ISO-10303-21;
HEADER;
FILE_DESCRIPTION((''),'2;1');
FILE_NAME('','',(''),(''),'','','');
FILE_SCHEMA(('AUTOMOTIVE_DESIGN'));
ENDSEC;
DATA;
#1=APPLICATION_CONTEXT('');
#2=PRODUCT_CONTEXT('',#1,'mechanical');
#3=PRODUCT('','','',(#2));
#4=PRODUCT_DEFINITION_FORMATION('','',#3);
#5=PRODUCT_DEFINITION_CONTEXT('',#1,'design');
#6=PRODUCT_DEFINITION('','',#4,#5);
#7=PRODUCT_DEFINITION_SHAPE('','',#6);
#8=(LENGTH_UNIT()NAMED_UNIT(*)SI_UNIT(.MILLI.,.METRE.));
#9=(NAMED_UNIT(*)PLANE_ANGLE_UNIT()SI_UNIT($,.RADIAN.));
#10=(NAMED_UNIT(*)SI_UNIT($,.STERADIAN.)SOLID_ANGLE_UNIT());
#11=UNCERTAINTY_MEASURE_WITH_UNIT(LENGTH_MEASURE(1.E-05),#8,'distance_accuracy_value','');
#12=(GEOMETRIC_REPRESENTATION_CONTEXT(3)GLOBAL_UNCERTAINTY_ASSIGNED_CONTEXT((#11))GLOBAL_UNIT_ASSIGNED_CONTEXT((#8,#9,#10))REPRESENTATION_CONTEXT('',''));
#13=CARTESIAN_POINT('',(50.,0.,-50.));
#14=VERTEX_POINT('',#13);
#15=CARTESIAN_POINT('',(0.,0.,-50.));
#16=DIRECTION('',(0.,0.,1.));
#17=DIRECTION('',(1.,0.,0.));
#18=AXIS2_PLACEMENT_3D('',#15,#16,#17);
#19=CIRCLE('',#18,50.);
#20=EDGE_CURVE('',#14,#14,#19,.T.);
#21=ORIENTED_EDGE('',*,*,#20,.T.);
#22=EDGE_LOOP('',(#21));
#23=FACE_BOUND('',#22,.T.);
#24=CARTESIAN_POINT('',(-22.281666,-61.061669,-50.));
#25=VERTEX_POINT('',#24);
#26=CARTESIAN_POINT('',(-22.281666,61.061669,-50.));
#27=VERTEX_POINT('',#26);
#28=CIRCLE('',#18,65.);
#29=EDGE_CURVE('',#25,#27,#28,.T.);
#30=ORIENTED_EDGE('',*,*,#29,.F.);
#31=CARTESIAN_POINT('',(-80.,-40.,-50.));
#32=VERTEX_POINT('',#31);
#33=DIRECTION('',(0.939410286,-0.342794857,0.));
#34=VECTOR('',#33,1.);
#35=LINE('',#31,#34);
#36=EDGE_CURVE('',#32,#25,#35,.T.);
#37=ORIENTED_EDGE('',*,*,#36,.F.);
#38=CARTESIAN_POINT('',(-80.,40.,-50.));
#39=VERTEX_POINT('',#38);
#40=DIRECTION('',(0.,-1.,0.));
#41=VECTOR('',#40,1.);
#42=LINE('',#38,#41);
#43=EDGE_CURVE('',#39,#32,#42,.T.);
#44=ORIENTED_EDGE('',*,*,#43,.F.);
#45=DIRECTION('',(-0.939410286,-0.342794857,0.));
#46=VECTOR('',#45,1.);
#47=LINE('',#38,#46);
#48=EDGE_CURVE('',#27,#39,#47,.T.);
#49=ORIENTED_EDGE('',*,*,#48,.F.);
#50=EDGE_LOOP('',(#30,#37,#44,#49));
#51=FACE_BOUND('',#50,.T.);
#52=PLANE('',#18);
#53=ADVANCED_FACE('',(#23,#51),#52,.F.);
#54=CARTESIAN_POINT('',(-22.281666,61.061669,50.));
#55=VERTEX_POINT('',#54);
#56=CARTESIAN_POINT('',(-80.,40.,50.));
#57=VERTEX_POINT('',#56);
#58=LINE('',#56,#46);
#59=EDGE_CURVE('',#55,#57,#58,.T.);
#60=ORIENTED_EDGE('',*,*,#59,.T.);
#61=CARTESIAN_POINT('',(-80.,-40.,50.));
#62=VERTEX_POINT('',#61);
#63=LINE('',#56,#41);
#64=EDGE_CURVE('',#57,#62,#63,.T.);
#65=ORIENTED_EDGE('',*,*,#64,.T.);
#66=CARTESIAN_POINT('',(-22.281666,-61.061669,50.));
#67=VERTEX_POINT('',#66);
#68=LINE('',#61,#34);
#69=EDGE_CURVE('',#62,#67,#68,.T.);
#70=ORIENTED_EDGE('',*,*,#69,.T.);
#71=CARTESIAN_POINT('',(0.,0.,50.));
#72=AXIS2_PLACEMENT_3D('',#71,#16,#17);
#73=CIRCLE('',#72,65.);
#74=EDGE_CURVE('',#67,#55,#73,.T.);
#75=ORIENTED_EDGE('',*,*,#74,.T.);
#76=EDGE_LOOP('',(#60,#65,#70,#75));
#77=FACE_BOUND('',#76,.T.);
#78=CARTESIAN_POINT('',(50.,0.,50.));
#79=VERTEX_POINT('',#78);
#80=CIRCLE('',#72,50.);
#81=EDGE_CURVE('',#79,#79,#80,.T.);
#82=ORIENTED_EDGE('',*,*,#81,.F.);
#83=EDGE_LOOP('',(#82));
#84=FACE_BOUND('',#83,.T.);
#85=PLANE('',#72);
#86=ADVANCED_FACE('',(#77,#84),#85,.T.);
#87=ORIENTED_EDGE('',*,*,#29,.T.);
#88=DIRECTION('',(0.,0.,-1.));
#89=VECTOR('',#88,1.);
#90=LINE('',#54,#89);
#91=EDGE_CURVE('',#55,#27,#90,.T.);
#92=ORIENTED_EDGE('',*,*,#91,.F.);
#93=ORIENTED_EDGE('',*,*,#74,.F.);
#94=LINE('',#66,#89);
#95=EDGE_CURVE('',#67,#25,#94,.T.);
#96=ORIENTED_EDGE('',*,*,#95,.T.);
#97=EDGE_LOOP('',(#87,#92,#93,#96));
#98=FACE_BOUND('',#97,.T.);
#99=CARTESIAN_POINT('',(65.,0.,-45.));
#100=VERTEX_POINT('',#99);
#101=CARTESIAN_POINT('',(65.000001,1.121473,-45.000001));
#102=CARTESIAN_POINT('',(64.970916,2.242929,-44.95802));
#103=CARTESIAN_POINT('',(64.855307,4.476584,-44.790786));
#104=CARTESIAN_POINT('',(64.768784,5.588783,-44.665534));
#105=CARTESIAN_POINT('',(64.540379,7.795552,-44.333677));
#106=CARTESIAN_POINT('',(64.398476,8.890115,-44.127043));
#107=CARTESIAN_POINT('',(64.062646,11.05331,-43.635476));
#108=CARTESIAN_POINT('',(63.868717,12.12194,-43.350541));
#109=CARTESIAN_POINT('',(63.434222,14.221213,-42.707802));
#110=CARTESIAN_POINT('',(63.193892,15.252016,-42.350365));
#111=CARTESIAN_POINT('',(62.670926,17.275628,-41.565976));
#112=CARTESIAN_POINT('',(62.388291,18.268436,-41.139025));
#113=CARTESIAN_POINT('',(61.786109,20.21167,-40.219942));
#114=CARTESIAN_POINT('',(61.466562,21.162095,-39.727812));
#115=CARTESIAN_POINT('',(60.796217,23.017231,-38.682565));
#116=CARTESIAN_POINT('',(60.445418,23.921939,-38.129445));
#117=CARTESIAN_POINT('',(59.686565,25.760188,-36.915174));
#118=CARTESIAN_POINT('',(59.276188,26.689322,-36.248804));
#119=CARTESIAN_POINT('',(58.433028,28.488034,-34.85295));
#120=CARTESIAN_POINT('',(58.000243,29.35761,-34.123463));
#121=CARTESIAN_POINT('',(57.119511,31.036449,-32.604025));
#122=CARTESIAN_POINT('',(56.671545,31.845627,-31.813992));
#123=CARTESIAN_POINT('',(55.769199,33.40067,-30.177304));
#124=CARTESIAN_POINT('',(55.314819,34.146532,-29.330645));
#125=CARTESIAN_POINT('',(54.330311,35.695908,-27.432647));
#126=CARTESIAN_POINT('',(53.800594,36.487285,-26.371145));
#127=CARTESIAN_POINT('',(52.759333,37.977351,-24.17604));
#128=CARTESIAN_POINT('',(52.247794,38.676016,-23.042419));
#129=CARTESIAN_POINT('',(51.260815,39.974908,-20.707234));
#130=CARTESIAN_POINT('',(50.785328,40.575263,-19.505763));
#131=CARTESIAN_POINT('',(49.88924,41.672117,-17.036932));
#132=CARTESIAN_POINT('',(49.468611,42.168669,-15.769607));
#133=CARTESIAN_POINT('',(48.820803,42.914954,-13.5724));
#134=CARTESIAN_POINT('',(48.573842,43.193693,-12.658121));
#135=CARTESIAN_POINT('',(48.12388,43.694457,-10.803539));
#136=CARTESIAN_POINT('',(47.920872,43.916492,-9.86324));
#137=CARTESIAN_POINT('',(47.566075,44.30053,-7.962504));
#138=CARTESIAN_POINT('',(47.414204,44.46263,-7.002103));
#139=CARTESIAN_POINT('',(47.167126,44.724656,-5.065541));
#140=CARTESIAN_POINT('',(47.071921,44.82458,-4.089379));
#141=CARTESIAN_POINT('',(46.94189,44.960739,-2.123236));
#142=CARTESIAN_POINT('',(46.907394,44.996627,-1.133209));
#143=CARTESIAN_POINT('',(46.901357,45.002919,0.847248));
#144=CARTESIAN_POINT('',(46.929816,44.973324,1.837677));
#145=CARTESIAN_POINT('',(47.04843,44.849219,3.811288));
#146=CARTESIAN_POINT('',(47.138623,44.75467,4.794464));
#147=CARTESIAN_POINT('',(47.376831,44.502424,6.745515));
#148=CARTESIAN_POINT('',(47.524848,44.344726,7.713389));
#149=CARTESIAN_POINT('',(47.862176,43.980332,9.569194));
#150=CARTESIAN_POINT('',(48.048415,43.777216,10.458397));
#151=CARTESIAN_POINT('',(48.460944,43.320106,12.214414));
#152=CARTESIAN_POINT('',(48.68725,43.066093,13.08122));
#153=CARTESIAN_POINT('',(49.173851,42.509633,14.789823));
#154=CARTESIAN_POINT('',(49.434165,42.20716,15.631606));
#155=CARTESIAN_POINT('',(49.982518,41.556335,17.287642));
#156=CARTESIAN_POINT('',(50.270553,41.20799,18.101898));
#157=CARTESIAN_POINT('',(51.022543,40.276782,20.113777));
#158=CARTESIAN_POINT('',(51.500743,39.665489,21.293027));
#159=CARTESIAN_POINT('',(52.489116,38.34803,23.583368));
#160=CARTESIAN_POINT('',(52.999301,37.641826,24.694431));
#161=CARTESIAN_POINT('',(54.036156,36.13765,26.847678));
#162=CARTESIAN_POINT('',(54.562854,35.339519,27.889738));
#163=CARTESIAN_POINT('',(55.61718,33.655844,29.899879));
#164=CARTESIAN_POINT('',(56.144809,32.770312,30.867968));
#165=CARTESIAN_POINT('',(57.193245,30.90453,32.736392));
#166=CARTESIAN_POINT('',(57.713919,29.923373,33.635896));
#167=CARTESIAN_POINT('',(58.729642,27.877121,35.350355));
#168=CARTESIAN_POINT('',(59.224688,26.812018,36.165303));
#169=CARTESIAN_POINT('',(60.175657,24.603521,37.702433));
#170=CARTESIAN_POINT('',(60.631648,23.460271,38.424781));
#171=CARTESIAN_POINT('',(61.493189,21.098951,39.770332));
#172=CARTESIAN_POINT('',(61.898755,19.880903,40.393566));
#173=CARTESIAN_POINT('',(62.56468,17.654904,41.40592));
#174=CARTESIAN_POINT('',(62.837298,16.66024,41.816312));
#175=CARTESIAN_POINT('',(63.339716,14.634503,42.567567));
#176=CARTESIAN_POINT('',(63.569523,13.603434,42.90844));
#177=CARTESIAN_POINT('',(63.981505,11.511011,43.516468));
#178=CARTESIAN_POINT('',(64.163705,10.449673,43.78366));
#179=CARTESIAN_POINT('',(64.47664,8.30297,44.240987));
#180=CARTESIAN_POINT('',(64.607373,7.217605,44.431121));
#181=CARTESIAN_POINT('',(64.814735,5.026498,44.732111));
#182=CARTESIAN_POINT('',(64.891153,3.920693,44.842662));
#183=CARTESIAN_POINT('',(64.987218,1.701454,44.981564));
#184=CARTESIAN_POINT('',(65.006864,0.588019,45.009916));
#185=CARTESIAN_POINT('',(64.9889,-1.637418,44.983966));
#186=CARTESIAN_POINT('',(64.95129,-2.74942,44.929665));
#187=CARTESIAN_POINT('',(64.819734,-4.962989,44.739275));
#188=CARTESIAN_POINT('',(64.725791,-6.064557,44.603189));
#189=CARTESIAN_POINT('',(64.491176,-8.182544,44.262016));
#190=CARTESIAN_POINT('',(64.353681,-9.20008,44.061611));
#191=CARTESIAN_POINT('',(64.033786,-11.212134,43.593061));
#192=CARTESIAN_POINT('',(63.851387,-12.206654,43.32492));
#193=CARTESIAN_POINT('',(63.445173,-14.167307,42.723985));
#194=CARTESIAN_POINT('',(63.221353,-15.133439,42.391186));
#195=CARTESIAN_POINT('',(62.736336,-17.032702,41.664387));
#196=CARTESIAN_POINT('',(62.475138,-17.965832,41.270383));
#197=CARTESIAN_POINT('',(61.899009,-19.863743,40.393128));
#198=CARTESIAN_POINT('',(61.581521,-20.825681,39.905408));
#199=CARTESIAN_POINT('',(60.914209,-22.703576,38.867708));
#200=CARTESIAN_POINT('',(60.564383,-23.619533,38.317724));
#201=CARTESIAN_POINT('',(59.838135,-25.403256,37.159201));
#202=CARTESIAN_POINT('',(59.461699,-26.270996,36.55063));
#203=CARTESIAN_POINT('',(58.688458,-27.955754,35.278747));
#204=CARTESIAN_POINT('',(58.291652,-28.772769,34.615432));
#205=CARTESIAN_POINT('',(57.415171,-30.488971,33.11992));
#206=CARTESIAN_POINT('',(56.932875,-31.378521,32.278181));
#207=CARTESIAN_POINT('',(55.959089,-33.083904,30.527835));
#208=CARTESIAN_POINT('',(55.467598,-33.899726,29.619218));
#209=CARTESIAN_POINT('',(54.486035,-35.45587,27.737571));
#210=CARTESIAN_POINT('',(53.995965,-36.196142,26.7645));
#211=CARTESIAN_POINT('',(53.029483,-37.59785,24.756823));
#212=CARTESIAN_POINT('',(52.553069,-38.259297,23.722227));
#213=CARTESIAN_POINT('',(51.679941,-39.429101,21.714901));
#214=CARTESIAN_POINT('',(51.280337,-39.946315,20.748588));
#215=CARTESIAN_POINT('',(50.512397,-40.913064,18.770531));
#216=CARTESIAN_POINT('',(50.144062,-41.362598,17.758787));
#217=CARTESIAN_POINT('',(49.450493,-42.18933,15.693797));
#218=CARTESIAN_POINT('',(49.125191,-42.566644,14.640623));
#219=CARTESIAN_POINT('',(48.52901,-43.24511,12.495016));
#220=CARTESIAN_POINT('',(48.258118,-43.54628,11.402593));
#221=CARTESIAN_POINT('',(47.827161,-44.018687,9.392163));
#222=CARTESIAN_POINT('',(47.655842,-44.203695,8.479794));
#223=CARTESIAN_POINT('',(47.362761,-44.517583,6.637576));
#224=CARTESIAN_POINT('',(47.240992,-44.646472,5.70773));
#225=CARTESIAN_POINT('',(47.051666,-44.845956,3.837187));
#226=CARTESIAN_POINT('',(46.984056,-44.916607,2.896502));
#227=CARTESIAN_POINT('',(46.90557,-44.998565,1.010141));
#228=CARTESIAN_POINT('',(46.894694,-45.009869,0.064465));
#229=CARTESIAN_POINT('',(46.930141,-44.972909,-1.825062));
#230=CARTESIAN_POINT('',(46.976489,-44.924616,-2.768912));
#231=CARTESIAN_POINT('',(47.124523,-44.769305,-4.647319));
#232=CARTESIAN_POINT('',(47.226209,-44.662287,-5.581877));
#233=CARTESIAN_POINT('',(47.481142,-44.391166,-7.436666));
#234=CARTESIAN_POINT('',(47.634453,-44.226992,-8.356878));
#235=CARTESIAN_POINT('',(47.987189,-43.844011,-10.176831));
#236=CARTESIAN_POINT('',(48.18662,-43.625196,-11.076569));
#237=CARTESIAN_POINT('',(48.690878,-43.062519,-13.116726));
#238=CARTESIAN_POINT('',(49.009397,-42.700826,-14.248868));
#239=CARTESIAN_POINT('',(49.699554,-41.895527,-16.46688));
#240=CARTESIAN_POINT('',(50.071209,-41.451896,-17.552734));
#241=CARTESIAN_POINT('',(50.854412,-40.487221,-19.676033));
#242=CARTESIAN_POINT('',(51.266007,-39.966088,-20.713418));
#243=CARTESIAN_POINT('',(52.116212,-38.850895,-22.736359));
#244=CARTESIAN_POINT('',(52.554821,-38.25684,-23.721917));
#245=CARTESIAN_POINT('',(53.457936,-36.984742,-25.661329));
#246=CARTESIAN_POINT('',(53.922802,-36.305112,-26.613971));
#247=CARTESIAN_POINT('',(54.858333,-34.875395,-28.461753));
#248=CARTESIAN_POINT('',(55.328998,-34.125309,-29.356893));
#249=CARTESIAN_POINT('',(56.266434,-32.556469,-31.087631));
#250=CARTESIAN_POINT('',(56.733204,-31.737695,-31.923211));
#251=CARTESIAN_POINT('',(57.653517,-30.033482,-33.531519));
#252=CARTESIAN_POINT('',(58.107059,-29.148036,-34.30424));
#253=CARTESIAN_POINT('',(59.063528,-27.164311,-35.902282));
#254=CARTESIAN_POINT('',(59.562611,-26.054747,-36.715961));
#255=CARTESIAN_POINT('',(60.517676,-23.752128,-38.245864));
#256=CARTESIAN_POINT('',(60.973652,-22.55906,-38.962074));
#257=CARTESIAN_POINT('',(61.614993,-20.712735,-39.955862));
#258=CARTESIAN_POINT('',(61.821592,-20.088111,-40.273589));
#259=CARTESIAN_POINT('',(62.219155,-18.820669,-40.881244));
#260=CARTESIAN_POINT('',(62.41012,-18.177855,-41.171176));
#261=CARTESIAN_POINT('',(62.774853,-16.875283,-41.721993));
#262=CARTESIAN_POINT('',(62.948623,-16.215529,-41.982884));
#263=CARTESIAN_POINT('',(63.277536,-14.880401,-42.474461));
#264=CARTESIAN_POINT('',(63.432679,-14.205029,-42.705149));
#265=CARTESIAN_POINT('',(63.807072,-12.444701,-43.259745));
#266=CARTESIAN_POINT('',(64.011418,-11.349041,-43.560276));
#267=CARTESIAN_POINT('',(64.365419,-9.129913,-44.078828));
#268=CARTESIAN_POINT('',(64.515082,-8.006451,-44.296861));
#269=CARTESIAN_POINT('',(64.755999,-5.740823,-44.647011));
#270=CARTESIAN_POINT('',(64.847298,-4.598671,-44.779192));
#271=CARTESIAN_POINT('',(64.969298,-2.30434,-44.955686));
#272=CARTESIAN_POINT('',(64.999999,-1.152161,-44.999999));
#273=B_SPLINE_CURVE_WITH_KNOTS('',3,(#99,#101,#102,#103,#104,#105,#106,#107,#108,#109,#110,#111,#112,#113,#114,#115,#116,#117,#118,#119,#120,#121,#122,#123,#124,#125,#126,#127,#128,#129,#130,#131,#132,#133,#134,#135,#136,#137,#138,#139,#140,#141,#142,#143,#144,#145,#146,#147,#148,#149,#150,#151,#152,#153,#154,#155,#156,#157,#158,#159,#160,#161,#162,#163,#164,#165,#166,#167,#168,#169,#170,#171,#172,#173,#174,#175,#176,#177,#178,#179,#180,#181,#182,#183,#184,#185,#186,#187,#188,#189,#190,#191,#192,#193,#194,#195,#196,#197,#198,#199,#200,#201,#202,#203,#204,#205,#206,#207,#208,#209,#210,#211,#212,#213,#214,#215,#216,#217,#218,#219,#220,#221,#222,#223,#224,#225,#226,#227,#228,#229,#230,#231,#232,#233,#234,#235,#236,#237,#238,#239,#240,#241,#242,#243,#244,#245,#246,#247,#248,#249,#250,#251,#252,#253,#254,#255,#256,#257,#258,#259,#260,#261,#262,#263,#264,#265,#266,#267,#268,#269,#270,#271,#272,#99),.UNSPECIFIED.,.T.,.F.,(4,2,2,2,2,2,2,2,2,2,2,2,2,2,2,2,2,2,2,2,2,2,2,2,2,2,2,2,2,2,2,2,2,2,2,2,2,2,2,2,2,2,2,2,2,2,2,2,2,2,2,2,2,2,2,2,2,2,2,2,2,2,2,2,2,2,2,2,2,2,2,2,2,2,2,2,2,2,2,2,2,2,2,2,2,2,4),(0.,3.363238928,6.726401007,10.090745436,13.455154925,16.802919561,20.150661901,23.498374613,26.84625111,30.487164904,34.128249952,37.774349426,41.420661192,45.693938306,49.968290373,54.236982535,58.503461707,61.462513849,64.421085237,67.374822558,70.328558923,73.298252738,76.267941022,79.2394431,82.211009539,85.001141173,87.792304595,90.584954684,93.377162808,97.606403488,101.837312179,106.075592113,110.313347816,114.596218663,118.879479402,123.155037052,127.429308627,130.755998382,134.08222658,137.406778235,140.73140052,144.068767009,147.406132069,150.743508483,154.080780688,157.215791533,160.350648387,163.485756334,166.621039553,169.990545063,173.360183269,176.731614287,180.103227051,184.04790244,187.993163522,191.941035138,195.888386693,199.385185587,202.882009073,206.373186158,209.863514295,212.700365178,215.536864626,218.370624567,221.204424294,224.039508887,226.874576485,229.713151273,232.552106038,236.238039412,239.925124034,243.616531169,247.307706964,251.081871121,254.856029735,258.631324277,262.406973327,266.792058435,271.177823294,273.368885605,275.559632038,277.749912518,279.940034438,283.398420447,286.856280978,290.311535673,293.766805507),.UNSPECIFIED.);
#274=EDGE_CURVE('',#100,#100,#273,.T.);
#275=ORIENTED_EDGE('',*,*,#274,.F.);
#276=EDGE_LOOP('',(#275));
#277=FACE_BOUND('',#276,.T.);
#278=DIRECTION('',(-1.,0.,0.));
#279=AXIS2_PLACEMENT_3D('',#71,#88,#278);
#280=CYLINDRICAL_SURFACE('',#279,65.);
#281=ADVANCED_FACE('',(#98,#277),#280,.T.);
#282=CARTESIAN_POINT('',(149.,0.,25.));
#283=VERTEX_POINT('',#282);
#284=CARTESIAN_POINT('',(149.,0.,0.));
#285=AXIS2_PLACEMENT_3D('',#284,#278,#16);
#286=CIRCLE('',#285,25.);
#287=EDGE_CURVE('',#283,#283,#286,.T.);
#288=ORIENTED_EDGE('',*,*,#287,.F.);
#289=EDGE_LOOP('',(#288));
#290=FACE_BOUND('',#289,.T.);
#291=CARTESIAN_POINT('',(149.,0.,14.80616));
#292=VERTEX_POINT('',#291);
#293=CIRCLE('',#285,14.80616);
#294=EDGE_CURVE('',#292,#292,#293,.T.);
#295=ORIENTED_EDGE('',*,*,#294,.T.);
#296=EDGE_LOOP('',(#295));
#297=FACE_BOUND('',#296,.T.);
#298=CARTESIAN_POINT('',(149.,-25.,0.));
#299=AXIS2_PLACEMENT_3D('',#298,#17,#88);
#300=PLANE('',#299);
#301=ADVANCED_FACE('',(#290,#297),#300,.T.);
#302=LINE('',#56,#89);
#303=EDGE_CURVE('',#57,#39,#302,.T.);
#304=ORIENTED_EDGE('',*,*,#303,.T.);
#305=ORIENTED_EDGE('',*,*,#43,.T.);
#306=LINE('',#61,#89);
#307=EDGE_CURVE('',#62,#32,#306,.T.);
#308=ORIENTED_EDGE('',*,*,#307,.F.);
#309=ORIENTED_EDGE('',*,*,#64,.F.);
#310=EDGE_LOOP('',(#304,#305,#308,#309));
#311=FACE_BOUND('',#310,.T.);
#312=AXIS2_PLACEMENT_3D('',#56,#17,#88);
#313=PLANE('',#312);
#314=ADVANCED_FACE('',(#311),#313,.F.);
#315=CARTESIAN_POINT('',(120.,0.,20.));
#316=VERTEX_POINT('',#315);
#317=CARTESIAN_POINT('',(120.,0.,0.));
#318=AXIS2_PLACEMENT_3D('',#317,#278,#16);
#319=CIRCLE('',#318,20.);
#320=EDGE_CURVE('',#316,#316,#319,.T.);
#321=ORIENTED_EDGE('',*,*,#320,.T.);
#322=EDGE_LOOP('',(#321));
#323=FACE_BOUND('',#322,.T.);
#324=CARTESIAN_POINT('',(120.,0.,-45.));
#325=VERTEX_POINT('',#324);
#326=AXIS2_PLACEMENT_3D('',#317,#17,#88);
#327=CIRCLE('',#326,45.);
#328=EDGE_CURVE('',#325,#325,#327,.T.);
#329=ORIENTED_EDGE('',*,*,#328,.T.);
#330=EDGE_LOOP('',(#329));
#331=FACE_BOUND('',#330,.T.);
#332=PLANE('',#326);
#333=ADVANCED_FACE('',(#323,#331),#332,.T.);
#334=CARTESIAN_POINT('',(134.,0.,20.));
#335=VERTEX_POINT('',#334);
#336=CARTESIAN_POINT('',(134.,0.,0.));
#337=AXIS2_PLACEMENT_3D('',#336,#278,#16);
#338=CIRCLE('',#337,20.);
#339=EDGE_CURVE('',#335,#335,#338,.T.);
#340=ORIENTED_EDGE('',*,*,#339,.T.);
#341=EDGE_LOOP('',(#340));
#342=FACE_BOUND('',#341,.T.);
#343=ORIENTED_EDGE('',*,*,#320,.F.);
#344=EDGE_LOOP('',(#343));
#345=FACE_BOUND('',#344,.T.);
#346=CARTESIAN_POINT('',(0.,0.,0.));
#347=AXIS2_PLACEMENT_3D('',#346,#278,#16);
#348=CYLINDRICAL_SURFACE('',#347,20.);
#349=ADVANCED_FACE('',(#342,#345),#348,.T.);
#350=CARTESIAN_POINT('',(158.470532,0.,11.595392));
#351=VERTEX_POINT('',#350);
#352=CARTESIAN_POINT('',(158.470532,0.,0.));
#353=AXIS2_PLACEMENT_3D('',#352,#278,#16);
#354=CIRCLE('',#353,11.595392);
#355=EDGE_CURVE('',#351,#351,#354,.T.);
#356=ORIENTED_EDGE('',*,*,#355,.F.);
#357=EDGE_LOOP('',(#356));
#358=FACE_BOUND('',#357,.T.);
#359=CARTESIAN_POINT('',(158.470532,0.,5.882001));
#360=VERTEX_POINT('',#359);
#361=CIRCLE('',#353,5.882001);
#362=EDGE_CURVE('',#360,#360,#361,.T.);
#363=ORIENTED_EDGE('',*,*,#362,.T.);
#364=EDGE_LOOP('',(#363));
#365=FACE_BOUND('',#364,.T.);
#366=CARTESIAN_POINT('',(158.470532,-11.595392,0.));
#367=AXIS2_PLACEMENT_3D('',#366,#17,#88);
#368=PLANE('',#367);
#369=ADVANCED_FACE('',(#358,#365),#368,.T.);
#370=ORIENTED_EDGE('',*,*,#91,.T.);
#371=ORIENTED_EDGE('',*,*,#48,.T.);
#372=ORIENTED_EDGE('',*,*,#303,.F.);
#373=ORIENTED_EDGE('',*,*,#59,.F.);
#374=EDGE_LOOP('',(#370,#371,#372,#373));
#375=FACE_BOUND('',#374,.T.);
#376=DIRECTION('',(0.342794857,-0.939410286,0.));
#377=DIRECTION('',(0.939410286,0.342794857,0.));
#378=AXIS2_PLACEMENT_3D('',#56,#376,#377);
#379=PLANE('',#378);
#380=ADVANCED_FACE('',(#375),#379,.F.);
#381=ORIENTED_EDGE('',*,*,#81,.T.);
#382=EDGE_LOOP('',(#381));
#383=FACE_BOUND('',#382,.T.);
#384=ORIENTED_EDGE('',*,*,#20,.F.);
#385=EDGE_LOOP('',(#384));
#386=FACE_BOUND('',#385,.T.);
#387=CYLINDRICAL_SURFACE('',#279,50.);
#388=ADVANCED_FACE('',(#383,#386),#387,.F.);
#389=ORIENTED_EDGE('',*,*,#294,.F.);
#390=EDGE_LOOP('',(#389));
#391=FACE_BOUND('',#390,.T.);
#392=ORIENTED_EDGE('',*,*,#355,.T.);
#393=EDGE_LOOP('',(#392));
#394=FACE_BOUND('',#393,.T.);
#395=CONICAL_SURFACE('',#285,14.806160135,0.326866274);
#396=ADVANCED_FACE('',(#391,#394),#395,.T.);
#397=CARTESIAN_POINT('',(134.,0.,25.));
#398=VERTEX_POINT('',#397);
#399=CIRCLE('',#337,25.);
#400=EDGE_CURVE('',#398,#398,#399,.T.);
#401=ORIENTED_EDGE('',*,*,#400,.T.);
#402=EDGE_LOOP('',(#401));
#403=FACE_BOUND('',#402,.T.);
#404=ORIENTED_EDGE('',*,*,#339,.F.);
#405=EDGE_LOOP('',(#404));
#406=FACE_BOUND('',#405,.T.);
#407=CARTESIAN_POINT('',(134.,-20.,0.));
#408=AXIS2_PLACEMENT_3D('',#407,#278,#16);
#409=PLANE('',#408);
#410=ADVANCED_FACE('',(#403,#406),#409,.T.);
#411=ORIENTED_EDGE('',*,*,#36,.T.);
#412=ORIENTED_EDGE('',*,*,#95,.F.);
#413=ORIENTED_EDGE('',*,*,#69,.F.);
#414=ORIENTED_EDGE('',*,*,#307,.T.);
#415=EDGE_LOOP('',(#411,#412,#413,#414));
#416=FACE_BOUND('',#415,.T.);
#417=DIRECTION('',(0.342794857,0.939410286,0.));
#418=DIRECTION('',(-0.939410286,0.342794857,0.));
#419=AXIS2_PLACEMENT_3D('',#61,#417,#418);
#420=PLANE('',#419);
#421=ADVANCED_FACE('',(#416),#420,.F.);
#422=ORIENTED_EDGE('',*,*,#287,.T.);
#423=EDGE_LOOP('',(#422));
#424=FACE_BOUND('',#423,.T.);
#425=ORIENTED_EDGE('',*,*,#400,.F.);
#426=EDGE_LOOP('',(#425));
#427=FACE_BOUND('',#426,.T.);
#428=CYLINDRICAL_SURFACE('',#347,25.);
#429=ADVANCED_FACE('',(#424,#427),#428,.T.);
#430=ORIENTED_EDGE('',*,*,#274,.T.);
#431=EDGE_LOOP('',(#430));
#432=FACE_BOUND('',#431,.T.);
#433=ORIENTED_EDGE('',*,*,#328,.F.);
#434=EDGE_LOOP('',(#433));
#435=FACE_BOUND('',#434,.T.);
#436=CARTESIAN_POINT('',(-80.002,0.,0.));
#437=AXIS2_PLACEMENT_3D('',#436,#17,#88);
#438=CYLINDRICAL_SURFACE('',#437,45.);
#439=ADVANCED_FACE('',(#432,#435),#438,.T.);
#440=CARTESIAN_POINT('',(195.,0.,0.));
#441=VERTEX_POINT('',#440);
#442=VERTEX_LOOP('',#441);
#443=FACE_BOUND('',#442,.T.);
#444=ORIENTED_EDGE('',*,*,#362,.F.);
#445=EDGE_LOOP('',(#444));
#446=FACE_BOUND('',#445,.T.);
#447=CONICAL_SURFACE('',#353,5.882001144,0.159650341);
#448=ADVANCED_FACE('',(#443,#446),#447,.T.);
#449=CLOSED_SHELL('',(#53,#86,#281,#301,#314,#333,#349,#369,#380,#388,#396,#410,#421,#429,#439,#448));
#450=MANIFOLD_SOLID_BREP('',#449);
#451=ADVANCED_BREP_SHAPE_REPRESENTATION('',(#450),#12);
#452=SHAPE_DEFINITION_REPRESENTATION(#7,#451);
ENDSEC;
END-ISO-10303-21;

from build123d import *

# Parameters (mm, degrees)
SKETCH1_R                = 50
BOSS_EXTRUDE1_DEPTH      = 50
BOSS_EXTRUDE2_REACH      = 218.16
BOSS_EXTRUDE2_END_RADIUS = 65
SKETCH2_R                = 45


with BuildPart() as part:
    # Sketch1 → Boss-Extrude1 (new, symmetric)
    with BuildSketch(Plane.XY):
        with BuildLine():
            Line((-80, 40), (-80, -40))
            Line((-80, -40), (-22.281665693, -61.061668614))
            ThreePointArc((-22.281665693, -61.061668614), (65, 0), (-22.281665693, 61.061668614))
            Line((-22.281665693, 61.061668614), (-80, 40))
        make_face()
        Circle(SKETCH1_R, mode=Mode.SUBTRACT)
    extrude(amount=BOSS_EXTRUDE1_DEPTH, both=True)

    # Boss-Extrude2: up to this cylinder (the profile starts outside it)
    boss_extrude2_end = Plane(origin=(0, 0, 0), z_dir=(0, 0, -1)) * Cylinder(BOSS_EXTRUDE2_END_RADIUS, 567.32, mode=Mode.PRIVATE)
    # Sketch2 → Boss-Extrude2 (add, up to the surface)
    with BuildSketch(Plane(origin=(120, 0, 0), x_dir=(0, 0, -1), z_dir=(1, 0, 0)), mode=Mode.PRIVATE) as boss_extrude2_sk1:
        Circle(SKETCH2_R)
    boss_extrude2_tool1 = extrude(boss_extrude2_sk1.sketch, amount=-BOSS_EXTRUDE2_REACH, mode=Mode.PRIVATE) - boss_extrude2_end
    add(boss_extrude2_tool1.solids().sort_by_distance((120, 0, 0))[0])

    # Sketch3 → Revolve1 (revolve)
    with BuildSketch(Plane.XY, mode=Mode.PRIVATE) as revolve1_sk:
        Polygon((120, -20), (134, -20), (134, -25), (149, -25), (149, -14.806160135), (158.470531587, -11.595392086), (158.470531587, -5.882001144), (195, 0), (120, 0), align=None)
    revolve(revolve1_sk.sketch.rotate(Axis((0, 0, 0), (1, 0, 0)), 270), axis=Axis((0, 0, 0), (1, 0, 0)))


solid = part.part
